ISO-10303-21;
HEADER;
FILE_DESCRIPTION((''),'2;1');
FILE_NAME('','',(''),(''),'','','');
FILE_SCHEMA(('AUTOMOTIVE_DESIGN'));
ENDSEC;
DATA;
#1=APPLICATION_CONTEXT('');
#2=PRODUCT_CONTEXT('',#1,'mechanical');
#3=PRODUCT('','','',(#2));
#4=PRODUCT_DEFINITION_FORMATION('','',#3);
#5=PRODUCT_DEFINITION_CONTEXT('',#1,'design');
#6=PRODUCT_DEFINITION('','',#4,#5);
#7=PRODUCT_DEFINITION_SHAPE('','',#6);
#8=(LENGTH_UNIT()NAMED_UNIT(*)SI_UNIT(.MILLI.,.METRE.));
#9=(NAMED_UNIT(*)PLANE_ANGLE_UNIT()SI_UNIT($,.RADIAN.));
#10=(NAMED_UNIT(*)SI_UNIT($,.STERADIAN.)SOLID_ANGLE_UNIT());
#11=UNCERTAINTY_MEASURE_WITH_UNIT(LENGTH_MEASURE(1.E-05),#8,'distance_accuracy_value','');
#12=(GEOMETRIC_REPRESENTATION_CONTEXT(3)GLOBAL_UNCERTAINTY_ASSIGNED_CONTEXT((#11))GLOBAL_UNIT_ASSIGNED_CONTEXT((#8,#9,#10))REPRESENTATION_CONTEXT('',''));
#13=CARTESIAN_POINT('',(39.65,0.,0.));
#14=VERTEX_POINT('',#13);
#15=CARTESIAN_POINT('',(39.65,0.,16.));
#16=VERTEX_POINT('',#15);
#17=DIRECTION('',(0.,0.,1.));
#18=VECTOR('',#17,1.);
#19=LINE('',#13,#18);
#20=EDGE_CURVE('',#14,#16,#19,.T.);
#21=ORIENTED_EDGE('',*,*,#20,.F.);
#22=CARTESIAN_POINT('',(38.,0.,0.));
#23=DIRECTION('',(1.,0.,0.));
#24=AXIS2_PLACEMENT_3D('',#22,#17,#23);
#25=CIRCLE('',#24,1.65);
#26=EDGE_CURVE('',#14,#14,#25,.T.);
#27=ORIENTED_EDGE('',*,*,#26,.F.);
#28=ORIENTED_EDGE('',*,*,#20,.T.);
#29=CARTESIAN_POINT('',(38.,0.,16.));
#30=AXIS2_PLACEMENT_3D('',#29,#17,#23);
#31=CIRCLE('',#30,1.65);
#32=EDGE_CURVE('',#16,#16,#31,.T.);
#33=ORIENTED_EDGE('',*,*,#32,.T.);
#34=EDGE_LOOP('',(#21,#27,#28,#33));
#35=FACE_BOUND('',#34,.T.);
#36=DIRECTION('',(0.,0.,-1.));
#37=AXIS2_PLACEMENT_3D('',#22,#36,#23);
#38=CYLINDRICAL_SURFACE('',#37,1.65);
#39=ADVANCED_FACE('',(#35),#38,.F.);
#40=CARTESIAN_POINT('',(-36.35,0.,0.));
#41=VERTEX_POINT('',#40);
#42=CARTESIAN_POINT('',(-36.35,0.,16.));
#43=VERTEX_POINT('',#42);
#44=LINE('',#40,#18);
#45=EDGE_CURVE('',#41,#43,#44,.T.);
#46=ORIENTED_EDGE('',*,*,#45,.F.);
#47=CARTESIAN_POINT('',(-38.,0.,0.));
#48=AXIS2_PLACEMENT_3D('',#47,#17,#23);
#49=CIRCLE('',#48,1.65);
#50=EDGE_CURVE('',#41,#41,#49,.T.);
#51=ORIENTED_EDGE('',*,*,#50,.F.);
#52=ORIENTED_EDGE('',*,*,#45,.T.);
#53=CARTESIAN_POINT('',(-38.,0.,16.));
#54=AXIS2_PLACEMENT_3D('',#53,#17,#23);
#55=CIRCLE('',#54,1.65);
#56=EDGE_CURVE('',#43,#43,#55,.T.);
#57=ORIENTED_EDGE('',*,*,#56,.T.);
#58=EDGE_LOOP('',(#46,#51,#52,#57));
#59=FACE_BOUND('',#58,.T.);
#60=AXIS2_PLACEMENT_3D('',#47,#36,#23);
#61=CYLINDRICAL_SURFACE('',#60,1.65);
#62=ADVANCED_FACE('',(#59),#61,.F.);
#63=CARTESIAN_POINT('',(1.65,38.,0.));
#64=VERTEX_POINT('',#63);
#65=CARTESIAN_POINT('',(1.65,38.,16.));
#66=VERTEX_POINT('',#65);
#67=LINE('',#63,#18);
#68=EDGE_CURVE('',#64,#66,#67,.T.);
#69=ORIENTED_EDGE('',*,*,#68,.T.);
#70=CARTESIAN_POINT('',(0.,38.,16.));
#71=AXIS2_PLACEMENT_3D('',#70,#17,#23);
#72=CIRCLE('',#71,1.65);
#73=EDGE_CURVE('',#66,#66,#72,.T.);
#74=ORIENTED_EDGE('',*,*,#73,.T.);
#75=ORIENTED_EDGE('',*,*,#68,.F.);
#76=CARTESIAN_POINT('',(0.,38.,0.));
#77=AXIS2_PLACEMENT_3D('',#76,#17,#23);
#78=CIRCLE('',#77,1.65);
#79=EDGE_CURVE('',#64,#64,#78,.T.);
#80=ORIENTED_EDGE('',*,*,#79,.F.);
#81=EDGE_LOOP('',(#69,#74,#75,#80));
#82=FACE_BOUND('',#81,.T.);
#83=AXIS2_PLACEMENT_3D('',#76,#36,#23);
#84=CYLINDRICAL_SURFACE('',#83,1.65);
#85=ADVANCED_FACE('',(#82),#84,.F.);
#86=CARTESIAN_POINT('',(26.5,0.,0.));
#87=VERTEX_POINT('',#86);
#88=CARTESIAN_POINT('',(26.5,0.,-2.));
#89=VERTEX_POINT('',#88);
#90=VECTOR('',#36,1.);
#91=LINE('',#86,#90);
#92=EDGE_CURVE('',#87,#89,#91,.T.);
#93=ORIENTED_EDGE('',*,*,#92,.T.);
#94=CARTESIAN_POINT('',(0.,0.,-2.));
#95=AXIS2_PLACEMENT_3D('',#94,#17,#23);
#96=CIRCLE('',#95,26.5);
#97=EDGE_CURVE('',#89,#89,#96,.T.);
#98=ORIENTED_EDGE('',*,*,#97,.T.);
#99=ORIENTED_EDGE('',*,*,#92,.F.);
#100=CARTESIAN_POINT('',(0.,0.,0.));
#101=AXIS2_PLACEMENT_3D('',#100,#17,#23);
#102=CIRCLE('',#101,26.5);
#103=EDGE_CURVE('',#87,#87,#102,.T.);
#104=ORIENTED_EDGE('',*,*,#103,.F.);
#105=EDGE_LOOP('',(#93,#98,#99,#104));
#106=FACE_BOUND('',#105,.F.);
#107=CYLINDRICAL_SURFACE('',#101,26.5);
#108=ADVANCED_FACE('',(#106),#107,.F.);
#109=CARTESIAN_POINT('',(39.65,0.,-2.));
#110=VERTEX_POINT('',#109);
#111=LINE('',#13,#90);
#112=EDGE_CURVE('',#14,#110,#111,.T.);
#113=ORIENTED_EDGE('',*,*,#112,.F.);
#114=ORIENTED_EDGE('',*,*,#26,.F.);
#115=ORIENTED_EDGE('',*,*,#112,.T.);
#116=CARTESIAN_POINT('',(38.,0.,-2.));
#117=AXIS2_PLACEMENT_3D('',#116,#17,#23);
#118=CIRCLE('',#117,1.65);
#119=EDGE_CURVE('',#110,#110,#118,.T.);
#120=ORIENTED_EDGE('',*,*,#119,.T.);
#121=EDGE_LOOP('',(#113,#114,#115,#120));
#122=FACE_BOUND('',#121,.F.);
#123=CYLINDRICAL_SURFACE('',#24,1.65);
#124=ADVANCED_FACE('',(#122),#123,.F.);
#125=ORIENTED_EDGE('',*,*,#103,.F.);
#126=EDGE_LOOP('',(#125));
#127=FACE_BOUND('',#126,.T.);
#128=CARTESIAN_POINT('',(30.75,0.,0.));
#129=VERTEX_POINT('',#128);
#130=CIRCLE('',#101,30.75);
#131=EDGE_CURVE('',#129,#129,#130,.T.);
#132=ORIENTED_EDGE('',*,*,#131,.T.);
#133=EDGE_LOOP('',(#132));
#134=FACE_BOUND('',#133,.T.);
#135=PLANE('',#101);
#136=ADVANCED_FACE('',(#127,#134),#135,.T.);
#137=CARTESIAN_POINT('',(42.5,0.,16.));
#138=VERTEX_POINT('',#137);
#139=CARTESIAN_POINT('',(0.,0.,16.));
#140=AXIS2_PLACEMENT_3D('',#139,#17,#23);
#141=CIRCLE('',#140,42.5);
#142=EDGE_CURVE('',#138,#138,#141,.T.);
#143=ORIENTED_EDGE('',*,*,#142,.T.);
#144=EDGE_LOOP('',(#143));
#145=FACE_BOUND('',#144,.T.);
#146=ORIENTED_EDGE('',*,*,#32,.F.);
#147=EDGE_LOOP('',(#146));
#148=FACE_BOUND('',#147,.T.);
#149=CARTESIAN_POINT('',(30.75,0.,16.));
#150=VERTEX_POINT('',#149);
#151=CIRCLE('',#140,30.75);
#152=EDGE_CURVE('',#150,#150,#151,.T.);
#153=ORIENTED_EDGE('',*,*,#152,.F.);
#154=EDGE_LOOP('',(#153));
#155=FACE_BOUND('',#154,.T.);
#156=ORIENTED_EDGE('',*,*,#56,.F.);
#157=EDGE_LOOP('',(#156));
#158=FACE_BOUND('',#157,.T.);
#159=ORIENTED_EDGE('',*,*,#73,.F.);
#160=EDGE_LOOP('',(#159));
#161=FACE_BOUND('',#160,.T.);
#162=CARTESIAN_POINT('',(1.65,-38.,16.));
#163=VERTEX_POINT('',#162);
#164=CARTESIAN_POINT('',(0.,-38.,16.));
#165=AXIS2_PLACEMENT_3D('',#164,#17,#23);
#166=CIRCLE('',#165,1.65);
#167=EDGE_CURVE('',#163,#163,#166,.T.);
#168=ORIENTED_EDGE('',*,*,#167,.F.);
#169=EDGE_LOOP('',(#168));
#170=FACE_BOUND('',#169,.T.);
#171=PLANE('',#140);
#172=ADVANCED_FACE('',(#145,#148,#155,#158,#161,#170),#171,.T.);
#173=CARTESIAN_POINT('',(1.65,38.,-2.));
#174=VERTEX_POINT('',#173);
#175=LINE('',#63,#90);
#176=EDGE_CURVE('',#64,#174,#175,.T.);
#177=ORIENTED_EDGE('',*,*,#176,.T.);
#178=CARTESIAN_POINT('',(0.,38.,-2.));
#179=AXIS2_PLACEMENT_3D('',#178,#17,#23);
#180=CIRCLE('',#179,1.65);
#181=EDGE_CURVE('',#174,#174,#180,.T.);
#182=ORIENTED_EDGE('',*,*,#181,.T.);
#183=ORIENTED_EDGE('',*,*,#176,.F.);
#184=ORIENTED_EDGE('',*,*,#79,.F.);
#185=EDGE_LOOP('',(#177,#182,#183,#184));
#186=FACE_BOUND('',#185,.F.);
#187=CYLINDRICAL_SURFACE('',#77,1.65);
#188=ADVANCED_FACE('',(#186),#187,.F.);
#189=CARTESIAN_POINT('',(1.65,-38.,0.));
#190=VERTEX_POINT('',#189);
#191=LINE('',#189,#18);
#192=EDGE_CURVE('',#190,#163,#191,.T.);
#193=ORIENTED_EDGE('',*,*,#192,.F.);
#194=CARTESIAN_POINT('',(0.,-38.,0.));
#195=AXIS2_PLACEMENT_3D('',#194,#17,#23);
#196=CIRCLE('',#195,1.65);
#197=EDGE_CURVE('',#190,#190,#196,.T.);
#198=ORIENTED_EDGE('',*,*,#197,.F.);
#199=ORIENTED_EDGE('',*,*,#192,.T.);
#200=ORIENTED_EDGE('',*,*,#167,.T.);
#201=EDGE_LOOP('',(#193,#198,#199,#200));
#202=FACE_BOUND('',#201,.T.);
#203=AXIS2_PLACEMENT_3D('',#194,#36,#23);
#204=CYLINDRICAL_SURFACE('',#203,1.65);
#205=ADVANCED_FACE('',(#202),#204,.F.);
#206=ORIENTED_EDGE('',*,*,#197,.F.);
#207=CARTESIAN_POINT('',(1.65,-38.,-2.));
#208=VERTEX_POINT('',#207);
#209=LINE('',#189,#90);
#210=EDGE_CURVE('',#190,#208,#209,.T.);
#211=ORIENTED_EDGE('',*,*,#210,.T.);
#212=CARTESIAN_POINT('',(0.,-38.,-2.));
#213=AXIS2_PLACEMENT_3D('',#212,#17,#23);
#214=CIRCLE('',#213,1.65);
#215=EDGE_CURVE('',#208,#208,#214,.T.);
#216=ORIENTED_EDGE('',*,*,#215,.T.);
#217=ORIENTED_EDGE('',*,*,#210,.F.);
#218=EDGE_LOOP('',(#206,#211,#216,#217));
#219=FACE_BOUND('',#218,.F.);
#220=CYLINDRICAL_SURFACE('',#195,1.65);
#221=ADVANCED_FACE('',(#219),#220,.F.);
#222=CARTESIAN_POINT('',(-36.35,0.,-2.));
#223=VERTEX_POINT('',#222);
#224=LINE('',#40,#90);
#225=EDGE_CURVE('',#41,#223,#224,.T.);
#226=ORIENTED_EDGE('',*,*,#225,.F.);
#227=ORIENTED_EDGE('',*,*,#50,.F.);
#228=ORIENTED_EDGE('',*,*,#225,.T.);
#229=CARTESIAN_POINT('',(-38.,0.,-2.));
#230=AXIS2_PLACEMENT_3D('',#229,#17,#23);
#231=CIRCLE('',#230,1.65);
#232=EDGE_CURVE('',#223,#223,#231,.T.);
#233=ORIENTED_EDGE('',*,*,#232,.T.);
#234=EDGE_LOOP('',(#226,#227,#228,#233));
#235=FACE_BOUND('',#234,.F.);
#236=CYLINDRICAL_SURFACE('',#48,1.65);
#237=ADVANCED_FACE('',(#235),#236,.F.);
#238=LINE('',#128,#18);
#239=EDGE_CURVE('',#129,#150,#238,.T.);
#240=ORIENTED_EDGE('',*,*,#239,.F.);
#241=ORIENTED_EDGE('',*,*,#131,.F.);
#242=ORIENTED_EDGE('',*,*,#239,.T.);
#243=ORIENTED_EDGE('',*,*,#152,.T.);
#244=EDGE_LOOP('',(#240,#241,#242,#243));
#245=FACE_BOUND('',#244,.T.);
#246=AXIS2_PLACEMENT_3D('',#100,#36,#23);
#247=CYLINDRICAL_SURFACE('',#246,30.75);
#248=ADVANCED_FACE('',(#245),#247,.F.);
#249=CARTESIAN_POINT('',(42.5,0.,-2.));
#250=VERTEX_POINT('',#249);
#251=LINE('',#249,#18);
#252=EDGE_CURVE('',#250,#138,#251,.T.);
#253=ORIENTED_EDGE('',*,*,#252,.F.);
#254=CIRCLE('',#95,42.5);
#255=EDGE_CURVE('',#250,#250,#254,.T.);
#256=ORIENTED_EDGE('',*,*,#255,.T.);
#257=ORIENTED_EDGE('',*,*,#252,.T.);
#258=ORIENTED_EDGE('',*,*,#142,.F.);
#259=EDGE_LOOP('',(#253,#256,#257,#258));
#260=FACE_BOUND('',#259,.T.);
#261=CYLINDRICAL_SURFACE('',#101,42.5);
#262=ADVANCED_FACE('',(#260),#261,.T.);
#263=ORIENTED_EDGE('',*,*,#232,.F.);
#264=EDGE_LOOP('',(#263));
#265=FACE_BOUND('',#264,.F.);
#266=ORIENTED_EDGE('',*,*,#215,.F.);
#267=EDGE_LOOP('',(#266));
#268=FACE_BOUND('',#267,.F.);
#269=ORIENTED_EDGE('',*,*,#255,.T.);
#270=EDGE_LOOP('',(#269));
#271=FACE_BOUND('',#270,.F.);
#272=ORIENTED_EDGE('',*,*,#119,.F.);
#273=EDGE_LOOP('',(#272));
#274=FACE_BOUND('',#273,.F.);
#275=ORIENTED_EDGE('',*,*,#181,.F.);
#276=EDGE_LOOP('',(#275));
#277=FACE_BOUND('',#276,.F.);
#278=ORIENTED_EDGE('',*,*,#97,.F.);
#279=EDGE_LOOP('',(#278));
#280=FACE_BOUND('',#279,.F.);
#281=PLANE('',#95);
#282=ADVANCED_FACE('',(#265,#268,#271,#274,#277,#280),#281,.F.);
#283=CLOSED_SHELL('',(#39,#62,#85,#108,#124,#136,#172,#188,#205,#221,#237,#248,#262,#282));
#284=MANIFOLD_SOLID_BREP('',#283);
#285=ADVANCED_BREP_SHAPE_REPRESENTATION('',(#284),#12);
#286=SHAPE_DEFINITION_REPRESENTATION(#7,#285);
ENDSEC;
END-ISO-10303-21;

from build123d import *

# Parameters (mm, degrees)
F0_R     = 42.5
F0_R_2   = 1.65
F0_R_3   = 30.75
F1_DEPTH = 16
F2_R     = 42.5
F2_R_2   = 1.65
F2_R_3   = 26.5
F3_DEPTH = 2


with BuildPart() as f1:
    # F0 (on Top) → F1 (new body)
    with BuildSketch(Plane.XY):
        Circle(F0_R)
        with Locations((0, -38)):
            Circle(F0_R_2, mode=Mode.SUBTRACT)
        with Locations((-38, 0)):
            Circle(F0_R_2, mode=Mode.SUBTRACT)
        Circle(F0_R_3, mode=Mode.SUBTRACT)
        with Locations((38, 0)):
            Circle(F0_R_2, mode=Mode.SUBTRACT)
        with Locations((0, 38)):
            Circle(F0_R_2, mode=Mode.SUBTRACT)
    extrude(amount=F1_DEPTH)

    # F2 (on Top) → F3 (join)
    with BuildSketch(Plane.XY):
        Circle(F2_R)
        with Locations((0, -38)):
            Circle(F2_R_2, mode=Mode.SUBTRACT)
        with Locations((-38, 0)):
            Circle(F2_R_2, mode=Mode.SUBTRACT)
        Circle(F2_R_3, mode=Mode.SUBTRACT)
        with Locations((38, 0)):
            Circle(F2_R_2, mode=Mode.SUBTRACT)
        with Locations((0, 38)):
            Circle(F2_R_2, mode=Mode.SUBTRACT)
    extrude(amount=-F3_DEPTH)


solid = f1.part
